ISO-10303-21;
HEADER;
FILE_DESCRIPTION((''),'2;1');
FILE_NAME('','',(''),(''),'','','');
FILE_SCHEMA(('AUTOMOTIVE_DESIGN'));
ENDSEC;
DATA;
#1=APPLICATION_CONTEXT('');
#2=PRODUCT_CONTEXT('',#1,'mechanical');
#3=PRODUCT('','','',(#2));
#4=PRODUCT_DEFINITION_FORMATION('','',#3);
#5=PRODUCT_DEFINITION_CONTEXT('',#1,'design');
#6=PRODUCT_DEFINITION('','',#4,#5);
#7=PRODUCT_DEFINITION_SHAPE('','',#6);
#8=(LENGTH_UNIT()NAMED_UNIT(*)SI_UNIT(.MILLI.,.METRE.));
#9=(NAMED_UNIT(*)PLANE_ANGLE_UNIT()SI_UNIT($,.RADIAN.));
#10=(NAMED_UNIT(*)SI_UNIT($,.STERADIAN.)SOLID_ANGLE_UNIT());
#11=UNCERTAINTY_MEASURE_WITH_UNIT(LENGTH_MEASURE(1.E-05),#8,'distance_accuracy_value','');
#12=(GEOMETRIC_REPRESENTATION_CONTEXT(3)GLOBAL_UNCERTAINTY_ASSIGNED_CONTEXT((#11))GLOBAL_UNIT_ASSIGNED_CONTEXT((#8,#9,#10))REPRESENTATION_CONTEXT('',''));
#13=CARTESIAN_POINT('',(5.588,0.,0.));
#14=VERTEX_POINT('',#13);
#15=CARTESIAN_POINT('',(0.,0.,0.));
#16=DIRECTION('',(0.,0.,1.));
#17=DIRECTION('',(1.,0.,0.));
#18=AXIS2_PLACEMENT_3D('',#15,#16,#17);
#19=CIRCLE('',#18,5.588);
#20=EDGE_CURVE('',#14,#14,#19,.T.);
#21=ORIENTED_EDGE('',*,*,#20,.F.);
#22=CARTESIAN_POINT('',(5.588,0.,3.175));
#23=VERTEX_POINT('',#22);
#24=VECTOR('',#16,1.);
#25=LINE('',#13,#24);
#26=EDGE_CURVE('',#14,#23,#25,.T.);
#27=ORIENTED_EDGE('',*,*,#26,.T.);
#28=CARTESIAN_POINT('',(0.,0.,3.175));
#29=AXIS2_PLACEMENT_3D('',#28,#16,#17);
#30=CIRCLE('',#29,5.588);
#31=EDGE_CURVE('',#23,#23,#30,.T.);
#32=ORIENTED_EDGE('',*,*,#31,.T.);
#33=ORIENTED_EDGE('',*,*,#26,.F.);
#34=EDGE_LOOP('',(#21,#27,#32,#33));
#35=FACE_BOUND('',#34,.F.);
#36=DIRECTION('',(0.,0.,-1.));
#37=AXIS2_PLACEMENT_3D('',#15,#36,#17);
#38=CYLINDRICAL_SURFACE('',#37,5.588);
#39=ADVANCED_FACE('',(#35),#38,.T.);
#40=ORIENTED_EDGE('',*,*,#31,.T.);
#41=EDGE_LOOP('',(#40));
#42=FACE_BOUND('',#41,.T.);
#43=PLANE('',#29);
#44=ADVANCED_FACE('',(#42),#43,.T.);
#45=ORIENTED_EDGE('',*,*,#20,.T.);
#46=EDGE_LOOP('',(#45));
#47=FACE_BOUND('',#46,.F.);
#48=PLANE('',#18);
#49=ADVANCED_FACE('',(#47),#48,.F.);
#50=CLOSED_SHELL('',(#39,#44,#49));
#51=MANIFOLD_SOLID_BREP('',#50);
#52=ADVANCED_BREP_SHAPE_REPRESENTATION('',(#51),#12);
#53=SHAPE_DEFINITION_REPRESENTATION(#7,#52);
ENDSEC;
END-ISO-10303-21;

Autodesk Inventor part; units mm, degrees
ref_plane "YZ Plane" through (0, 0, 0) normal (1, 0, 0) x (0, 1, 0)
ref_plane "XZ Plane" through (0, 0, 0) normal (0, 1, 0) x (-1, 0, 0)
ref_plane "XY Plane" through (0, 0, 0) normal (0, 0, 1) x (1, 0, 0)
sketch "Sketch3" plane through (0, 0, 0) normal (0, 0, 1) x (1, 0, 0)
  circle A0 centre (0, 0) radius 5.588
  dimension "d26" = 11.176
extrude "Extrusion2" add sketch "Sketch3" along normal blind 3.175
equation "\"d9\" = 3.175"
properties part number "Bolt Cover" material "Aluminum 6061"
